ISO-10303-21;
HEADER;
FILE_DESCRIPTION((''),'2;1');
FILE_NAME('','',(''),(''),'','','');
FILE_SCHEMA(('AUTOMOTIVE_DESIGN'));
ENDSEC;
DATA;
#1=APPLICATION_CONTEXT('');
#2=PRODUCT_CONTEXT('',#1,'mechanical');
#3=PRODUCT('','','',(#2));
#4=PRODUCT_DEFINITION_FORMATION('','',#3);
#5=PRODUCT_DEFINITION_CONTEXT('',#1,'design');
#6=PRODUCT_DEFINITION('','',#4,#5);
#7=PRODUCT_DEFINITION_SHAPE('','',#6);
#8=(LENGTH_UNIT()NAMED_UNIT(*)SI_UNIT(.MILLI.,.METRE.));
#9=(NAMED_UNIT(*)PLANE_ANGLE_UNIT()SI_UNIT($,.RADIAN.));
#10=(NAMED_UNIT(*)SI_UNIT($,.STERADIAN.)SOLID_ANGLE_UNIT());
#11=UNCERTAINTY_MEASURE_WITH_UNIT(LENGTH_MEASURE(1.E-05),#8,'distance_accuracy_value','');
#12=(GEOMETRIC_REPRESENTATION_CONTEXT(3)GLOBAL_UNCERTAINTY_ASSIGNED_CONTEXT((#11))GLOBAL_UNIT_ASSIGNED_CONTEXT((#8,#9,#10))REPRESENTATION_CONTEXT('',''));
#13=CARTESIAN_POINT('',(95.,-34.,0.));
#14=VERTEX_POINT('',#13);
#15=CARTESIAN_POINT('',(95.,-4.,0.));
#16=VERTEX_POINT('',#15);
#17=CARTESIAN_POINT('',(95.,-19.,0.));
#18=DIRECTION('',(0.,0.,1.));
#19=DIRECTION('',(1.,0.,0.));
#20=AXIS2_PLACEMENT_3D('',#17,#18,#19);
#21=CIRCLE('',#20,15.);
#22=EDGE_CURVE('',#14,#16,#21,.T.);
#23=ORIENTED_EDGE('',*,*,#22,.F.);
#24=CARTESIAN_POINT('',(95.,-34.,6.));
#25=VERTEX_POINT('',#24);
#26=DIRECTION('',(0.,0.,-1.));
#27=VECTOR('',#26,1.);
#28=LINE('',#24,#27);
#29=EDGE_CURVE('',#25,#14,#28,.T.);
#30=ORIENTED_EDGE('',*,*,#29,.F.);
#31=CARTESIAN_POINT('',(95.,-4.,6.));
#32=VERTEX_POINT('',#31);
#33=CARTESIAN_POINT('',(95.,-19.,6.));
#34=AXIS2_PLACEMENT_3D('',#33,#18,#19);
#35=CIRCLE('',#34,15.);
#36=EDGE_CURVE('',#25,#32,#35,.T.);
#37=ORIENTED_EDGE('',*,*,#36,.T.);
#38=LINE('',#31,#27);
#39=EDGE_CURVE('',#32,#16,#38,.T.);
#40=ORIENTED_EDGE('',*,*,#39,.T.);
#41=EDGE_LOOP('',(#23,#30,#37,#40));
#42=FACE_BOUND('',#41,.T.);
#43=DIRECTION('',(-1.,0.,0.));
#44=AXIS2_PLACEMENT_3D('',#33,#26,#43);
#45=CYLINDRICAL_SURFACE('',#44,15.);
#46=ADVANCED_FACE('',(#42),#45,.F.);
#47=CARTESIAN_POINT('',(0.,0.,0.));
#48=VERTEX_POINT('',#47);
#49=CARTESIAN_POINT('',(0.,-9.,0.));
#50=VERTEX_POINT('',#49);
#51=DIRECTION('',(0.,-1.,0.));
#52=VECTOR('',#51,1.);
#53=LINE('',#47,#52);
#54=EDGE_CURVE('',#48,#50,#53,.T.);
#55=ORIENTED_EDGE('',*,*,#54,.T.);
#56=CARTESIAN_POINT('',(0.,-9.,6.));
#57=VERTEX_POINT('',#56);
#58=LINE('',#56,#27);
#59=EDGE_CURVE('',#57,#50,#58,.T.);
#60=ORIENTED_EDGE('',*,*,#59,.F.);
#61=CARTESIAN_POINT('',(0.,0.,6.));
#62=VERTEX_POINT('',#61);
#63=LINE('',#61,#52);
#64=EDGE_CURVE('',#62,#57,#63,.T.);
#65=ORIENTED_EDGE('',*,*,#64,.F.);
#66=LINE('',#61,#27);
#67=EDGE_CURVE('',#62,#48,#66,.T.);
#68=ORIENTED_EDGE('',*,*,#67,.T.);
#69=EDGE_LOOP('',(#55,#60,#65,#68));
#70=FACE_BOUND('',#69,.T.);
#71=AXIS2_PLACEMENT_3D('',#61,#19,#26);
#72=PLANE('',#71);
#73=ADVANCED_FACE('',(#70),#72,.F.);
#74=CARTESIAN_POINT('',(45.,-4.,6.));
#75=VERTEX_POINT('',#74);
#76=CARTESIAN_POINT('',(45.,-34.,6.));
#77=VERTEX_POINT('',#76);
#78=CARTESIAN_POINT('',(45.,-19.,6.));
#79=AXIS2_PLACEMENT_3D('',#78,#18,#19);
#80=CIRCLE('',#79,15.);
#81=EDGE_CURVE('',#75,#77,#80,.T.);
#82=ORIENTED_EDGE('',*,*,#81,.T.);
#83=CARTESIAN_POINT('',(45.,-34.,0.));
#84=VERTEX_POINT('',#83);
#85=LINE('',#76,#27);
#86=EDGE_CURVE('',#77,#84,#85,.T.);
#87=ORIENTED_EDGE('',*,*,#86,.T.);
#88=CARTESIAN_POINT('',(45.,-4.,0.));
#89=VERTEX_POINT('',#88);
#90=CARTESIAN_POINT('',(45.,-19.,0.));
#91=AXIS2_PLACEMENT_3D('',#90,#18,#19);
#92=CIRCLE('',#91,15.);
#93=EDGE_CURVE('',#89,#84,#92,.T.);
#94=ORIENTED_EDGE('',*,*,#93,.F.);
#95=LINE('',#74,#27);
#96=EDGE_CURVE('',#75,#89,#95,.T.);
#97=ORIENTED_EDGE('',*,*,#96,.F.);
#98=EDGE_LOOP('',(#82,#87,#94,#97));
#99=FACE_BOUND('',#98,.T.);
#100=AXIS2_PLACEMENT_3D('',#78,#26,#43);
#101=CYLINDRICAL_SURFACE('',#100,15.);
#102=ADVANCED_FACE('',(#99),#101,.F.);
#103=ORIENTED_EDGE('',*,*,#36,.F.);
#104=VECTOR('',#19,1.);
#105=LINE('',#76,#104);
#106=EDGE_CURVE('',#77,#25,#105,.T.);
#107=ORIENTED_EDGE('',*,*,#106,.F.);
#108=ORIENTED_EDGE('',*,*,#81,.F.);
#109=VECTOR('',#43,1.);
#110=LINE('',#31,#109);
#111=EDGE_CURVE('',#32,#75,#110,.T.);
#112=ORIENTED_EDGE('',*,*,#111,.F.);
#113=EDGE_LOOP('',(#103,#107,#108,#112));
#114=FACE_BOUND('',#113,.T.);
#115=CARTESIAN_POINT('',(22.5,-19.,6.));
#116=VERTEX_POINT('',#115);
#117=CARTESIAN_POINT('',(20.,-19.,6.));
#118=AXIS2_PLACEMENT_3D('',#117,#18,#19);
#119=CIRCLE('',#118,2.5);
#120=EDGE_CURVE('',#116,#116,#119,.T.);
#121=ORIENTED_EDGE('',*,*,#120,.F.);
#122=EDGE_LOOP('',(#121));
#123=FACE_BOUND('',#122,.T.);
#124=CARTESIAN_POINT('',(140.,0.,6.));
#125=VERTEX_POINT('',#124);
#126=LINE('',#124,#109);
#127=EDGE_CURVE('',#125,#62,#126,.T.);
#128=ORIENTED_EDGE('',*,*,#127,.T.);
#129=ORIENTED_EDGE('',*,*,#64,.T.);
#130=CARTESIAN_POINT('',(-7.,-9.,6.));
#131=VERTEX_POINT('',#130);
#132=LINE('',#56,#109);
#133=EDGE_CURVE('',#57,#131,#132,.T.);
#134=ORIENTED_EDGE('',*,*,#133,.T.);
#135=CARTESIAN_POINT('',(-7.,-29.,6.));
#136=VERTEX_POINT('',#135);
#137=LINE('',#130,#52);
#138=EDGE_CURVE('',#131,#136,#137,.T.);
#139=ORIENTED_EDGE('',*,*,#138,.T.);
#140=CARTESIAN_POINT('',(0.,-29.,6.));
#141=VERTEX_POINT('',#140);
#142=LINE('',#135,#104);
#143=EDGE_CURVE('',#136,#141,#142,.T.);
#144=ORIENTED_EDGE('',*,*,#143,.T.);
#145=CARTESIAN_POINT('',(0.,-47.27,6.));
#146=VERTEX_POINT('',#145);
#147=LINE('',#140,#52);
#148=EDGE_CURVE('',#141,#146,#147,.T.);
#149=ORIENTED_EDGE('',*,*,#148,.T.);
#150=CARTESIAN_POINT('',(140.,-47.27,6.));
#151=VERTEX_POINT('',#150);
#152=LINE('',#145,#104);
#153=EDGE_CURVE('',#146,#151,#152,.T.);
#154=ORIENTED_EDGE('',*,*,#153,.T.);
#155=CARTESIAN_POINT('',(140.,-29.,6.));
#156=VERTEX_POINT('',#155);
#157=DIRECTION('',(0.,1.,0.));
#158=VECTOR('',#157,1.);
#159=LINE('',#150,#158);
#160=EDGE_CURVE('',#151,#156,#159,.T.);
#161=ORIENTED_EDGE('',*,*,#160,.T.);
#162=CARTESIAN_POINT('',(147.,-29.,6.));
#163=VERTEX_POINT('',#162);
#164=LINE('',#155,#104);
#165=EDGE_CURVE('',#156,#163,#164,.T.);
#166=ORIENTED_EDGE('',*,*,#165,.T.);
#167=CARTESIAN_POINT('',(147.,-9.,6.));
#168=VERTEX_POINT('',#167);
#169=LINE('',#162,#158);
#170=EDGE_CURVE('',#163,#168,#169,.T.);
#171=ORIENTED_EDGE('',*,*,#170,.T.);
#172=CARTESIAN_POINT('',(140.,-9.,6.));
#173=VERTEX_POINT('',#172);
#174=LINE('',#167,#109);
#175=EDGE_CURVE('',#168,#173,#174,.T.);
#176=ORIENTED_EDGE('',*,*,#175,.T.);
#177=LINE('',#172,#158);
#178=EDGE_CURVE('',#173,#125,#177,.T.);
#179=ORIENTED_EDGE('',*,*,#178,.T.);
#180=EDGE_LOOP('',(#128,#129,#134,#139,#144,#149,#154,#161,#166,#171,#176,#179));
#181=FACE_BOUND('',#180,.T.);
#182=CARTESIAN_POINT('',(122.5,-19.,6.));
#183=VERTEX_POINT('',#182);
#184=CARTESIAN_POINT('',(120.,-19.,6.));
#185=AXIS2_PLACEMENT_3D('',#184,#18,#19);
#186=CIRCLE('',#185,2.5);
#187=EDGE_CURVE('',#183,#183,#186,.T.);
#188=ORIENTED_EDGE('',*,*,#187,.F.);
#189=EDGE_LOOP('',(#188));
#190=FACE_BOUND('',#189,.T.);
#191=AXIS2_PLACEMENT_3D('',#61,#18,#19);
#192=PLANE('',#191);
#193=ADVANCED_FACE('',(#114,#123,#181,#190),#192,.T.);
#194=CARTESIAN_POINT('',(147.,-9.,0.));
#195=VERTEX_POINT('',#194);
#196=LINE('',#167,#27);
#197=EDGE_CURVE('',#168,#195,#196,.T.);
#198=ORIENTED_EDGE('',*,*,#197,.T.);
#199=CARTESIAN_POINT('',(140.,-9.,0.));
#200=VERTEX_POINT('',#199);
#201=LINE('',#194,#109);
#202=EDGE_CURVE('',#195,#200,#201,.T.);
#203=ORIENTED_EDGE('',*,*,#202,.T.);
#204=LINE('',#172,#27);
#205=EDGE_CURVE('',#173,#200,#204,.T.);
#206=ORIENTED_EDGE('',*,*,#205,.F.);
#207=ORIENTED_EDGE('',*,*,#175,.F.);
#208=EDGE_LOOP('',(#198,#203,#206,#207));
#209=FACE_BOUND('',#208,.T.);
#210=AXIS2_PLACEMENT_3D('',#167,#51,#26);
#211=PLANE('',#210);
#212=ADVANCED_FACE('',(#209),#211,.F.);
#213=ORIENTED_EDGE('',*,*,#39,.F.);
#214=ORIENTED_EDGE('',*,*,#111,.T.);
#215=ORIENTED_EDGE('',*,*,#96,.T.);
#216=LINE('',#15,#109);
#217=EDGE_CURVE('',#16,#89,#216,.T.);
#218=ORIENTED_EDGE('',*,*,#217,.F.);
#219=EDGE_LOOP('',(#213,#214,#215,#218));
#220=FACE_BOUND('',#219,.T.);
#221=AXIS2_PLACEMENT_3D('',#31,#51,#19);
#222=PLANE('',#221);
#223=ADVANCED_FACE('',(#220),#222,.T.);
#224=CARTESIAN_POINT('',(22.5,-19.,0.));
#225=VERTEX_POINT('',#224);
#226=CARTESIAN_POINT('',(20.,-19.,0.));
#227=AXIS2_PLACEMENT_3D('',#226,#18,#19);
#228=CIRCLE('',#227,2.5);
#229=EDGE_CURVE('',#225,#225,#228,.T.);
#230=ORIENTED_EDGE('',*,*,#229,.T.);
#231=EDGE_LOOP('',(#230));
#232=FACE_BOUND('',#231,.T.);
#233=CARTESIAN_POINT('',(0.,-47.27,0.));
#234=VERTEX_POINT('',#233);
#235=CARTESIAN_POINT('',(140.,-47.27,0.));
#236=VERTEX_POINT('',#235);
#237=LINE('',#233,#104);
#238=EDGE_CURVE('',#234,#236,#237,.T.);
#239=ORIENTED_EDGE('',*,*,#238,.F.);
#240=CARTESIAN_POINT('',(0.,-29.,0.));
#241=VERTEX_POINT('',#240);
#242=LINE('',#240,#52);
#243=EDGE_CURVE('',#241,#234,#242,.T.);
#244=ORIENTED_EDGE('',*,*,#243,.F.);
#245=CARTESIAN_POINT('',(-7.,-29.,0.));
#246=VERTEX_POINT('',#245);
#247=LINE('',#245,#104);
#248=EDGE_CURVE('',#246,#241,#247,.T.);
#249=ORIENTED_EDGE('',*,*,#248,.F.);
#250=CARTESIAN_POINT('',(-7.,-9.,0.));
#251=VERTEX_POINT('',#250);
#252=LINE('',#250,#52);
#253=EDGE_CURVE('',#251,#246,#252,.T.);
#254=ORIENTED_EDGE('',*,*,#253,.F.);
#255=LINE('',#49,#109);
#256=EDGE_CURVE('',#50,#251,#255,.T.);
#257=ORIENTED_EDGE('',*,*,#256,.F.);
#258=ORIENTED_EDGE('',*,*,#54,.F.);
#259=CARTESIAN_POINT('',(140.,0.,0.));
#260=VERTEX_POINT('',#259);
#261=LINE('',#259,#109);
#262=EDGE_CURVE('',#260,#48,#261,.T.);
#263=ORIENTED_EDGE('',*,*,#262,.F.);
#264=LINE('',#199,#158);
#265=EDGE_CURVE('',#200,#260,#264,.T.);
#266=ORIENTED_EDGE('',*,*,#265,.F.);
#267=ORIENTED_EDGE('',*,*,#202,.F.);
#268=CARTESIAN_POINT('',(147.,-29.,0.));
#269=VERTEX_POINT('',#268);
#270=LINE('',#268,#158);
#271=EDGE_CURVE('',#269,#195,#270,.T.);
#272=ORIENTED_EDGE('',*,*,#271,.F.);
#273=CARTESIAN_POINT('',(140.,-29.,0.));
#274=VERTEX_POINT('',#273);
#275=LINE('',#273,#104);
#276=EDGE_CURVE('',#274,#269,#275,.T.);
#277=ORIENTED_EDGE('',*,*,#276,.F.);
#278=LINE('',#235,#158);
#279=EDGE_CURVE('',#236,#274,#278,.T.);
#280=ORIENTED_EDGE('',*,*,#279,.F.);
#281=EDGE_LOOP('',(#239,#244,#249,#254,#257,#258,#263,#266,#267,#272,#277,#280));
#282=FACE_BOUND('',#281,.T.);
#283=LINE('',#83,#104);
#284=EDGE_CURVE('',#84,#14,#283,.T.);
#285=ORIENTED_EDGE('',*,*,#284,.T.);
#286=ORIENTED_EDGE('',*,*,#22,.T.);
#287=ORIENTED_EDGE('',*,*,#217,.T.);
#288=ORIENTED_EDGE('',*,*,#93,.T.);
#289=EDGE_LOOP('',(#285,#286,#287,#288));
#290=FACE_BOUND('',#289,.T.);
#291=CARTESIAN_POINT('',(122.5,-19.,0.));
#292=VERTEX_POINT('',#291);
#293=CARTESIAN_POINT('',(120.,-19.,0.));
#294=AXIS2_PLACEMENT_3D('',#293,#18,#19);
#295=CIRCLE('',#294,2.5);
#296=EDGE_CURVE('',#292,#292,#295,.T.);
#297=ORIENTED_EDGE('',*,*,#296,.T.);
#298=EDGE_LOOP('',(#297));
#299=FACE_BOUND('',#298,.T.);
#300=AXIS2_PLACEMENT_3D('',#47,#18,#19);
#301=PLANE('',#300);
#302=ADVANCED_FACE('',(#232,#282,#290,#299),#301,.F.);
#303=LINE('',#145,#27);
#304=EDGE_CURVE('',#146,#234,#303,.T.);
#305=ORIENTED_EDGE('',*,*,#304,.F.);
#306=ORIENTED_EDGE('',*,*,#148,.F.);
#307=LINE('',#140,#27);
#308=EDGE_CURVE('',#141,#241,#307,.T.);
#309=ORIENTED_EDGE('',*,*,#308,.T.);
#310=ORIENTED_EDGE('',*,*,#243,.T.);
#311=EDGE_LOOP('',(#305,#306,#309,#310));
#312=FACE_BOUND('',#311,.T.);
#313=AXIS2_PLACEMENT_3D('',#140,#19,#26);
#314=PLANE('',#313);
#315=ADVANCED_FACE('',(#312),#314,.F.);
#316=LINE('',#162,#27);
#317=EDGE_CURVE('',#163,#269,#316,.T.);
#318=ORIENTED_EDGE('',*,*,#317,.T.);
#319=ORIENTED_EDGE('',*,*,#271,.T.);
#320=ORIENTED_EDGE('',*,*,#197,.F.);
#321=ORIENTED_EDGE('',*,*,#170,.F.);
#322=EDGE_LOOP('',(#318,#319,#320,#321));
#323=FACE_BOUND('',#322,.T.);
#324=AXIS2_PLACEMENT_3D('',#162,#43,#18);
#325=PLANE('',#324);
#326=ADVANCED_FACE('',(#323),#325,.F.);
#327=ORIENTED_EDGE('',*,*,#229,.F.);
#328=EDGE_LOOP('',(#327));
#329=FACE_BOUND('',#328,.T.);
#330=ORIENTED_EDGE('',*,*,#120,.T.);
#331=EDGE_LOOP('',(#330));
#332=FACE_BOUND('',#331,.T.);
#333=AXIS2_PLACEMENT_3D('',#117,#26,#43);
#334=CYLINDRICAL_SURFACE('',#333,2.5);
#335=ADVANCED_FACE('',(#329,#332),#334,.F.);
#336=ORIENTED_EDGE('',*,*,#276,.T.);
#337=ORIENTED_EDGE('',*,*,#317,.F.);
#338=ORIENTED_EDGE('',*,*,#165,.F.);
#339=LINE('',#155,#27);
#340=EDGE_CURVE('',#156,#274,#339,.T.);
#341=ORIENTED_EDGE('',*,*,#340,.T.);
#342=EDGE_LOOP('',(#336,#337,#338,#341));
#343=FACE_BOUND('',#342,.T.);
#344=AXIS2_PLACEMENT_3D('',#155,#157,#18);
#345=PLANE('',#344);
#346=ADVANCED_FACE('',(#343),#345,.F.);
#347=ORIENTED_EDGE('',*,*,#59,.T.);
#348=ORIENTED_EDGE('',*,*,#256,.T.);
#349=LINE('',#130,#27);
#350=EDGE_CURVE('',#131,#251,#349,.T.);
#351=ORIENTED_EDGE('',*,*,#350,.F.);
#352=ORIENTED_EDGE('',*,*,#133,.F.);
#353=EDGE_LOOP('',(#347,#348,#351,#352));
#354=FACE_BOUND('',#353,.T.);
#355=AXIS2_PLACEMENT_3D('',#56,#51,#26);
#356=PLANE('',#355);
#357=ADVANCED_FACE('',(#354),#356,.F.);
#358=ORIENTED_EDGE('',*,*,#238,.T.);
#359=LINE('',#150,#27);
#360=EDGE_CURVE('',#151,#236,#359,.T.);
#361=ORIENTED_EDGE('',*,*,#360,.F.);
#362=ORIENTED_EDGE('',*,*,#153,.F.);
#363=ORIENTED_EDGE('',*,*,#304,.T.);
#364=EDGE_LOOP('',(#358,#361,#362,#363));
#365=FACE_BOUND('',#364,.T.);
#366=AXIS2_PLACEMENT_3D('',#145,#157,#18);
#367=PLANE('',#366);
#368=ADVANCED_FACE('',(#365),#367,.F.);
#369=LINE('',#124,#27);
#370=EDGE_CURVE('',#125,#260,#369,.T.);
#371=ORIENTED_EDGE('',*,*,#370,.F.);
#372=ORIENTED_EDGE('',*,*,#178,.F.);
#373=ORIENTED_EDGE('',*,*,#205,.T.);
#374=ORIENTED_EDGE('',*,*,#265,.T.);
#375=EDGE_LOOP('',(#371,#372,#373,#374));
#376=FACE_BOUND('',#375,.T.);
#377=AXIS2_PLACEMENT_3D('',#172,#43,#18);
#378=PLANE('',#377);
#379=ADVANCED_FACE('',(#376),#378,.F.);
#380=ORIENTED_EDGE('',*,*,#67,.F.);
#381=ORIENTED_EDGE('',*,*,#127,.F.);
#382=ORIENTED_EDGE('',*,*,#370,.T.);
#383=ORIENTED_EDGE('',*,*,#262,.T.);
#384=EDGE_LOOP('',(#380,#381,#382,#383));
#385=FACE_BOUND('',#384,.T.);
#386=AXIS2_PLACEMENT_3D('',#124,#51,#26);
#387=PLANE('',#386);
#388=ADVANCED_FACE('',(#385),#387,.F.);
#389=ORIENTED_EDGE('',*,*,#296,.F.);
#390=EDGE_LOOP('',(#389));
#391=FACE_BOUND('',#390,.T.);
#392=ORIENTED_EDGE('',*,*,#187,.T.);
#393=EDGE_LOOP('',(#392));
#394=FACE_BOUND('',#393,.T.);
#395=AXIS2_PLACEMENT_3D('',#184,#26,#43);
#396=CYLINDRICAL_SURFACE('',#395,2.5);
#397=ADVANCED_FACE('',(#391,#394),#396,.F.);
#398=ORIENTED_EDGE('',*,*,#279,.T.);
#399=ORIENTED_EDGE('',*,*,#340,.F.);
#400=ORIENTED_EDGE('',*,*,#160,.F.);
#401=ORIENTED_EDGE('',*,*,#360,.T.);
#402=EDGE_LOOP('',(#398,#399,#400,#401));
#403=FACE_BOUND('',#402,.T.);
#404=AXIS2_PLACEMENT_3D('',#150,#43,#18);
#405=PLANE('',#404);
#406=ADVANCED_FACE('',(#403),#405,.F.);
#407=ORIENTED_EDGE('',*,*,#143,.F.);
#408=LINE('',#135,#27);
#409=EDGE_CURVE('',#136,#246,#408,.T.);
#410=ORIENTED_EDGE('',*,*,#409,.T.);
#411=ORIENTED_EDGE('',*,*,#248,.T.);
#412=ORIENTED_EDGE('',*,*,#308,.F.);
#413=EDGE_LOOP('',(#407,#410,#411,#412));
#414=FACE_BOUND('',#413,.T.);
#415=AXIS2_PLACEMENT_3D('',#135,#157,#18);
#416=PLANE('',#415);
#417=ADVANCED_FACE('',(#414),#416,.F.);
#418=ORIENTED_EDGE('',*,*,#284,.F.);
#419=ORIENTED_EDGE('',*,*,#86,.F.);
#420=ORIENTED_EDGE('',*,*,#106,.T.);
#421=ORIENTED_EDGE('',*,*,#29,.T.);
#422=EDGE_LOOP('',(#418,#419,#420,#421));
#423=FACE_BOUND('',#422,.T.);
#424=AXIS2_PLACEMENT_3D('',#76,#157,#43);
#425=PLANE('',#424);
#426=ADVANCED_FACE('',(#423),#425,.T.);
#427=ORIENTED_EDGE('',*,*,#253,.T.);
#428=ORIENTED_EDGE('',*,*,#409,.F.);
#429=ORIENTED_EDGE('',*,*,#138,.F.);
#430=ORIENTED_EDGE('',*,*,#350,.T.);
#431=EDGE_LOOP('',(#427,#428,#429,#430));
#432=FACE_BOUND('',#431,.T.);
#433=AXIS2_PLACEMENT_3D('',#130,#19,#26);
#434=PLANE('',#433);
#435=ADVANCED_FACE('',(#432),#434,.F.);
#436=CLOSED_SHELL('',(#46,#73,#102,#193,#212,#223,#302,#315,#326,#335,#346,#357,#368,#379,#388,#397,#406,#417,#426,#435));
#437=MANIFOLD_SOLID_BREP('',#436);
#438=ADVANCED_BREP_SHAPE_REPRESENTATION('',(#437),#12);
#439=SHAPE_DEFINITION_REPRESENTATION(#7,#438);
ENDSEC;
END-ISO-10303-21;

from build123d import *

# Parameters (mm, degrees)
SKETCH1_R           = 2.5
BOSS_EXTRUDE1_DEPTH = 6


with BuildPart() as part:
    # Sketch1 → Boss-Extrude1 (new body)
    with BuildSketch(Plane.XY):
        Polygon((140, 0), (0, 0), (0, -9), (-7, -9), (-7, -29), (0, -29), (0, -47.27), (140, -47.27), (140, -29), (147, -29), (147, -9), (140, -9), align=None)
        with Locations((120, -19)):
            Circle(SKETCH1_R, mode=Mode.SUBTRACT)
        with Locations((20, -19)):
            Circle(SKETCH1_R, mode=Mode.SUBTRACT)
        with BuildLine():
            Line((45, -34), (95, -34))
            ThreePointArc((95, -34), (110, -19), (95, -4))
            Line((95, -4), (45, -4))
            ThreePointArc((45, -4), (30, -19), (45, -34))
        make_face(mode=Mode.SUBTRACT)
    extrude(amount=BOSS_EXTRUDE1_DEPTH)


solid = part.part
